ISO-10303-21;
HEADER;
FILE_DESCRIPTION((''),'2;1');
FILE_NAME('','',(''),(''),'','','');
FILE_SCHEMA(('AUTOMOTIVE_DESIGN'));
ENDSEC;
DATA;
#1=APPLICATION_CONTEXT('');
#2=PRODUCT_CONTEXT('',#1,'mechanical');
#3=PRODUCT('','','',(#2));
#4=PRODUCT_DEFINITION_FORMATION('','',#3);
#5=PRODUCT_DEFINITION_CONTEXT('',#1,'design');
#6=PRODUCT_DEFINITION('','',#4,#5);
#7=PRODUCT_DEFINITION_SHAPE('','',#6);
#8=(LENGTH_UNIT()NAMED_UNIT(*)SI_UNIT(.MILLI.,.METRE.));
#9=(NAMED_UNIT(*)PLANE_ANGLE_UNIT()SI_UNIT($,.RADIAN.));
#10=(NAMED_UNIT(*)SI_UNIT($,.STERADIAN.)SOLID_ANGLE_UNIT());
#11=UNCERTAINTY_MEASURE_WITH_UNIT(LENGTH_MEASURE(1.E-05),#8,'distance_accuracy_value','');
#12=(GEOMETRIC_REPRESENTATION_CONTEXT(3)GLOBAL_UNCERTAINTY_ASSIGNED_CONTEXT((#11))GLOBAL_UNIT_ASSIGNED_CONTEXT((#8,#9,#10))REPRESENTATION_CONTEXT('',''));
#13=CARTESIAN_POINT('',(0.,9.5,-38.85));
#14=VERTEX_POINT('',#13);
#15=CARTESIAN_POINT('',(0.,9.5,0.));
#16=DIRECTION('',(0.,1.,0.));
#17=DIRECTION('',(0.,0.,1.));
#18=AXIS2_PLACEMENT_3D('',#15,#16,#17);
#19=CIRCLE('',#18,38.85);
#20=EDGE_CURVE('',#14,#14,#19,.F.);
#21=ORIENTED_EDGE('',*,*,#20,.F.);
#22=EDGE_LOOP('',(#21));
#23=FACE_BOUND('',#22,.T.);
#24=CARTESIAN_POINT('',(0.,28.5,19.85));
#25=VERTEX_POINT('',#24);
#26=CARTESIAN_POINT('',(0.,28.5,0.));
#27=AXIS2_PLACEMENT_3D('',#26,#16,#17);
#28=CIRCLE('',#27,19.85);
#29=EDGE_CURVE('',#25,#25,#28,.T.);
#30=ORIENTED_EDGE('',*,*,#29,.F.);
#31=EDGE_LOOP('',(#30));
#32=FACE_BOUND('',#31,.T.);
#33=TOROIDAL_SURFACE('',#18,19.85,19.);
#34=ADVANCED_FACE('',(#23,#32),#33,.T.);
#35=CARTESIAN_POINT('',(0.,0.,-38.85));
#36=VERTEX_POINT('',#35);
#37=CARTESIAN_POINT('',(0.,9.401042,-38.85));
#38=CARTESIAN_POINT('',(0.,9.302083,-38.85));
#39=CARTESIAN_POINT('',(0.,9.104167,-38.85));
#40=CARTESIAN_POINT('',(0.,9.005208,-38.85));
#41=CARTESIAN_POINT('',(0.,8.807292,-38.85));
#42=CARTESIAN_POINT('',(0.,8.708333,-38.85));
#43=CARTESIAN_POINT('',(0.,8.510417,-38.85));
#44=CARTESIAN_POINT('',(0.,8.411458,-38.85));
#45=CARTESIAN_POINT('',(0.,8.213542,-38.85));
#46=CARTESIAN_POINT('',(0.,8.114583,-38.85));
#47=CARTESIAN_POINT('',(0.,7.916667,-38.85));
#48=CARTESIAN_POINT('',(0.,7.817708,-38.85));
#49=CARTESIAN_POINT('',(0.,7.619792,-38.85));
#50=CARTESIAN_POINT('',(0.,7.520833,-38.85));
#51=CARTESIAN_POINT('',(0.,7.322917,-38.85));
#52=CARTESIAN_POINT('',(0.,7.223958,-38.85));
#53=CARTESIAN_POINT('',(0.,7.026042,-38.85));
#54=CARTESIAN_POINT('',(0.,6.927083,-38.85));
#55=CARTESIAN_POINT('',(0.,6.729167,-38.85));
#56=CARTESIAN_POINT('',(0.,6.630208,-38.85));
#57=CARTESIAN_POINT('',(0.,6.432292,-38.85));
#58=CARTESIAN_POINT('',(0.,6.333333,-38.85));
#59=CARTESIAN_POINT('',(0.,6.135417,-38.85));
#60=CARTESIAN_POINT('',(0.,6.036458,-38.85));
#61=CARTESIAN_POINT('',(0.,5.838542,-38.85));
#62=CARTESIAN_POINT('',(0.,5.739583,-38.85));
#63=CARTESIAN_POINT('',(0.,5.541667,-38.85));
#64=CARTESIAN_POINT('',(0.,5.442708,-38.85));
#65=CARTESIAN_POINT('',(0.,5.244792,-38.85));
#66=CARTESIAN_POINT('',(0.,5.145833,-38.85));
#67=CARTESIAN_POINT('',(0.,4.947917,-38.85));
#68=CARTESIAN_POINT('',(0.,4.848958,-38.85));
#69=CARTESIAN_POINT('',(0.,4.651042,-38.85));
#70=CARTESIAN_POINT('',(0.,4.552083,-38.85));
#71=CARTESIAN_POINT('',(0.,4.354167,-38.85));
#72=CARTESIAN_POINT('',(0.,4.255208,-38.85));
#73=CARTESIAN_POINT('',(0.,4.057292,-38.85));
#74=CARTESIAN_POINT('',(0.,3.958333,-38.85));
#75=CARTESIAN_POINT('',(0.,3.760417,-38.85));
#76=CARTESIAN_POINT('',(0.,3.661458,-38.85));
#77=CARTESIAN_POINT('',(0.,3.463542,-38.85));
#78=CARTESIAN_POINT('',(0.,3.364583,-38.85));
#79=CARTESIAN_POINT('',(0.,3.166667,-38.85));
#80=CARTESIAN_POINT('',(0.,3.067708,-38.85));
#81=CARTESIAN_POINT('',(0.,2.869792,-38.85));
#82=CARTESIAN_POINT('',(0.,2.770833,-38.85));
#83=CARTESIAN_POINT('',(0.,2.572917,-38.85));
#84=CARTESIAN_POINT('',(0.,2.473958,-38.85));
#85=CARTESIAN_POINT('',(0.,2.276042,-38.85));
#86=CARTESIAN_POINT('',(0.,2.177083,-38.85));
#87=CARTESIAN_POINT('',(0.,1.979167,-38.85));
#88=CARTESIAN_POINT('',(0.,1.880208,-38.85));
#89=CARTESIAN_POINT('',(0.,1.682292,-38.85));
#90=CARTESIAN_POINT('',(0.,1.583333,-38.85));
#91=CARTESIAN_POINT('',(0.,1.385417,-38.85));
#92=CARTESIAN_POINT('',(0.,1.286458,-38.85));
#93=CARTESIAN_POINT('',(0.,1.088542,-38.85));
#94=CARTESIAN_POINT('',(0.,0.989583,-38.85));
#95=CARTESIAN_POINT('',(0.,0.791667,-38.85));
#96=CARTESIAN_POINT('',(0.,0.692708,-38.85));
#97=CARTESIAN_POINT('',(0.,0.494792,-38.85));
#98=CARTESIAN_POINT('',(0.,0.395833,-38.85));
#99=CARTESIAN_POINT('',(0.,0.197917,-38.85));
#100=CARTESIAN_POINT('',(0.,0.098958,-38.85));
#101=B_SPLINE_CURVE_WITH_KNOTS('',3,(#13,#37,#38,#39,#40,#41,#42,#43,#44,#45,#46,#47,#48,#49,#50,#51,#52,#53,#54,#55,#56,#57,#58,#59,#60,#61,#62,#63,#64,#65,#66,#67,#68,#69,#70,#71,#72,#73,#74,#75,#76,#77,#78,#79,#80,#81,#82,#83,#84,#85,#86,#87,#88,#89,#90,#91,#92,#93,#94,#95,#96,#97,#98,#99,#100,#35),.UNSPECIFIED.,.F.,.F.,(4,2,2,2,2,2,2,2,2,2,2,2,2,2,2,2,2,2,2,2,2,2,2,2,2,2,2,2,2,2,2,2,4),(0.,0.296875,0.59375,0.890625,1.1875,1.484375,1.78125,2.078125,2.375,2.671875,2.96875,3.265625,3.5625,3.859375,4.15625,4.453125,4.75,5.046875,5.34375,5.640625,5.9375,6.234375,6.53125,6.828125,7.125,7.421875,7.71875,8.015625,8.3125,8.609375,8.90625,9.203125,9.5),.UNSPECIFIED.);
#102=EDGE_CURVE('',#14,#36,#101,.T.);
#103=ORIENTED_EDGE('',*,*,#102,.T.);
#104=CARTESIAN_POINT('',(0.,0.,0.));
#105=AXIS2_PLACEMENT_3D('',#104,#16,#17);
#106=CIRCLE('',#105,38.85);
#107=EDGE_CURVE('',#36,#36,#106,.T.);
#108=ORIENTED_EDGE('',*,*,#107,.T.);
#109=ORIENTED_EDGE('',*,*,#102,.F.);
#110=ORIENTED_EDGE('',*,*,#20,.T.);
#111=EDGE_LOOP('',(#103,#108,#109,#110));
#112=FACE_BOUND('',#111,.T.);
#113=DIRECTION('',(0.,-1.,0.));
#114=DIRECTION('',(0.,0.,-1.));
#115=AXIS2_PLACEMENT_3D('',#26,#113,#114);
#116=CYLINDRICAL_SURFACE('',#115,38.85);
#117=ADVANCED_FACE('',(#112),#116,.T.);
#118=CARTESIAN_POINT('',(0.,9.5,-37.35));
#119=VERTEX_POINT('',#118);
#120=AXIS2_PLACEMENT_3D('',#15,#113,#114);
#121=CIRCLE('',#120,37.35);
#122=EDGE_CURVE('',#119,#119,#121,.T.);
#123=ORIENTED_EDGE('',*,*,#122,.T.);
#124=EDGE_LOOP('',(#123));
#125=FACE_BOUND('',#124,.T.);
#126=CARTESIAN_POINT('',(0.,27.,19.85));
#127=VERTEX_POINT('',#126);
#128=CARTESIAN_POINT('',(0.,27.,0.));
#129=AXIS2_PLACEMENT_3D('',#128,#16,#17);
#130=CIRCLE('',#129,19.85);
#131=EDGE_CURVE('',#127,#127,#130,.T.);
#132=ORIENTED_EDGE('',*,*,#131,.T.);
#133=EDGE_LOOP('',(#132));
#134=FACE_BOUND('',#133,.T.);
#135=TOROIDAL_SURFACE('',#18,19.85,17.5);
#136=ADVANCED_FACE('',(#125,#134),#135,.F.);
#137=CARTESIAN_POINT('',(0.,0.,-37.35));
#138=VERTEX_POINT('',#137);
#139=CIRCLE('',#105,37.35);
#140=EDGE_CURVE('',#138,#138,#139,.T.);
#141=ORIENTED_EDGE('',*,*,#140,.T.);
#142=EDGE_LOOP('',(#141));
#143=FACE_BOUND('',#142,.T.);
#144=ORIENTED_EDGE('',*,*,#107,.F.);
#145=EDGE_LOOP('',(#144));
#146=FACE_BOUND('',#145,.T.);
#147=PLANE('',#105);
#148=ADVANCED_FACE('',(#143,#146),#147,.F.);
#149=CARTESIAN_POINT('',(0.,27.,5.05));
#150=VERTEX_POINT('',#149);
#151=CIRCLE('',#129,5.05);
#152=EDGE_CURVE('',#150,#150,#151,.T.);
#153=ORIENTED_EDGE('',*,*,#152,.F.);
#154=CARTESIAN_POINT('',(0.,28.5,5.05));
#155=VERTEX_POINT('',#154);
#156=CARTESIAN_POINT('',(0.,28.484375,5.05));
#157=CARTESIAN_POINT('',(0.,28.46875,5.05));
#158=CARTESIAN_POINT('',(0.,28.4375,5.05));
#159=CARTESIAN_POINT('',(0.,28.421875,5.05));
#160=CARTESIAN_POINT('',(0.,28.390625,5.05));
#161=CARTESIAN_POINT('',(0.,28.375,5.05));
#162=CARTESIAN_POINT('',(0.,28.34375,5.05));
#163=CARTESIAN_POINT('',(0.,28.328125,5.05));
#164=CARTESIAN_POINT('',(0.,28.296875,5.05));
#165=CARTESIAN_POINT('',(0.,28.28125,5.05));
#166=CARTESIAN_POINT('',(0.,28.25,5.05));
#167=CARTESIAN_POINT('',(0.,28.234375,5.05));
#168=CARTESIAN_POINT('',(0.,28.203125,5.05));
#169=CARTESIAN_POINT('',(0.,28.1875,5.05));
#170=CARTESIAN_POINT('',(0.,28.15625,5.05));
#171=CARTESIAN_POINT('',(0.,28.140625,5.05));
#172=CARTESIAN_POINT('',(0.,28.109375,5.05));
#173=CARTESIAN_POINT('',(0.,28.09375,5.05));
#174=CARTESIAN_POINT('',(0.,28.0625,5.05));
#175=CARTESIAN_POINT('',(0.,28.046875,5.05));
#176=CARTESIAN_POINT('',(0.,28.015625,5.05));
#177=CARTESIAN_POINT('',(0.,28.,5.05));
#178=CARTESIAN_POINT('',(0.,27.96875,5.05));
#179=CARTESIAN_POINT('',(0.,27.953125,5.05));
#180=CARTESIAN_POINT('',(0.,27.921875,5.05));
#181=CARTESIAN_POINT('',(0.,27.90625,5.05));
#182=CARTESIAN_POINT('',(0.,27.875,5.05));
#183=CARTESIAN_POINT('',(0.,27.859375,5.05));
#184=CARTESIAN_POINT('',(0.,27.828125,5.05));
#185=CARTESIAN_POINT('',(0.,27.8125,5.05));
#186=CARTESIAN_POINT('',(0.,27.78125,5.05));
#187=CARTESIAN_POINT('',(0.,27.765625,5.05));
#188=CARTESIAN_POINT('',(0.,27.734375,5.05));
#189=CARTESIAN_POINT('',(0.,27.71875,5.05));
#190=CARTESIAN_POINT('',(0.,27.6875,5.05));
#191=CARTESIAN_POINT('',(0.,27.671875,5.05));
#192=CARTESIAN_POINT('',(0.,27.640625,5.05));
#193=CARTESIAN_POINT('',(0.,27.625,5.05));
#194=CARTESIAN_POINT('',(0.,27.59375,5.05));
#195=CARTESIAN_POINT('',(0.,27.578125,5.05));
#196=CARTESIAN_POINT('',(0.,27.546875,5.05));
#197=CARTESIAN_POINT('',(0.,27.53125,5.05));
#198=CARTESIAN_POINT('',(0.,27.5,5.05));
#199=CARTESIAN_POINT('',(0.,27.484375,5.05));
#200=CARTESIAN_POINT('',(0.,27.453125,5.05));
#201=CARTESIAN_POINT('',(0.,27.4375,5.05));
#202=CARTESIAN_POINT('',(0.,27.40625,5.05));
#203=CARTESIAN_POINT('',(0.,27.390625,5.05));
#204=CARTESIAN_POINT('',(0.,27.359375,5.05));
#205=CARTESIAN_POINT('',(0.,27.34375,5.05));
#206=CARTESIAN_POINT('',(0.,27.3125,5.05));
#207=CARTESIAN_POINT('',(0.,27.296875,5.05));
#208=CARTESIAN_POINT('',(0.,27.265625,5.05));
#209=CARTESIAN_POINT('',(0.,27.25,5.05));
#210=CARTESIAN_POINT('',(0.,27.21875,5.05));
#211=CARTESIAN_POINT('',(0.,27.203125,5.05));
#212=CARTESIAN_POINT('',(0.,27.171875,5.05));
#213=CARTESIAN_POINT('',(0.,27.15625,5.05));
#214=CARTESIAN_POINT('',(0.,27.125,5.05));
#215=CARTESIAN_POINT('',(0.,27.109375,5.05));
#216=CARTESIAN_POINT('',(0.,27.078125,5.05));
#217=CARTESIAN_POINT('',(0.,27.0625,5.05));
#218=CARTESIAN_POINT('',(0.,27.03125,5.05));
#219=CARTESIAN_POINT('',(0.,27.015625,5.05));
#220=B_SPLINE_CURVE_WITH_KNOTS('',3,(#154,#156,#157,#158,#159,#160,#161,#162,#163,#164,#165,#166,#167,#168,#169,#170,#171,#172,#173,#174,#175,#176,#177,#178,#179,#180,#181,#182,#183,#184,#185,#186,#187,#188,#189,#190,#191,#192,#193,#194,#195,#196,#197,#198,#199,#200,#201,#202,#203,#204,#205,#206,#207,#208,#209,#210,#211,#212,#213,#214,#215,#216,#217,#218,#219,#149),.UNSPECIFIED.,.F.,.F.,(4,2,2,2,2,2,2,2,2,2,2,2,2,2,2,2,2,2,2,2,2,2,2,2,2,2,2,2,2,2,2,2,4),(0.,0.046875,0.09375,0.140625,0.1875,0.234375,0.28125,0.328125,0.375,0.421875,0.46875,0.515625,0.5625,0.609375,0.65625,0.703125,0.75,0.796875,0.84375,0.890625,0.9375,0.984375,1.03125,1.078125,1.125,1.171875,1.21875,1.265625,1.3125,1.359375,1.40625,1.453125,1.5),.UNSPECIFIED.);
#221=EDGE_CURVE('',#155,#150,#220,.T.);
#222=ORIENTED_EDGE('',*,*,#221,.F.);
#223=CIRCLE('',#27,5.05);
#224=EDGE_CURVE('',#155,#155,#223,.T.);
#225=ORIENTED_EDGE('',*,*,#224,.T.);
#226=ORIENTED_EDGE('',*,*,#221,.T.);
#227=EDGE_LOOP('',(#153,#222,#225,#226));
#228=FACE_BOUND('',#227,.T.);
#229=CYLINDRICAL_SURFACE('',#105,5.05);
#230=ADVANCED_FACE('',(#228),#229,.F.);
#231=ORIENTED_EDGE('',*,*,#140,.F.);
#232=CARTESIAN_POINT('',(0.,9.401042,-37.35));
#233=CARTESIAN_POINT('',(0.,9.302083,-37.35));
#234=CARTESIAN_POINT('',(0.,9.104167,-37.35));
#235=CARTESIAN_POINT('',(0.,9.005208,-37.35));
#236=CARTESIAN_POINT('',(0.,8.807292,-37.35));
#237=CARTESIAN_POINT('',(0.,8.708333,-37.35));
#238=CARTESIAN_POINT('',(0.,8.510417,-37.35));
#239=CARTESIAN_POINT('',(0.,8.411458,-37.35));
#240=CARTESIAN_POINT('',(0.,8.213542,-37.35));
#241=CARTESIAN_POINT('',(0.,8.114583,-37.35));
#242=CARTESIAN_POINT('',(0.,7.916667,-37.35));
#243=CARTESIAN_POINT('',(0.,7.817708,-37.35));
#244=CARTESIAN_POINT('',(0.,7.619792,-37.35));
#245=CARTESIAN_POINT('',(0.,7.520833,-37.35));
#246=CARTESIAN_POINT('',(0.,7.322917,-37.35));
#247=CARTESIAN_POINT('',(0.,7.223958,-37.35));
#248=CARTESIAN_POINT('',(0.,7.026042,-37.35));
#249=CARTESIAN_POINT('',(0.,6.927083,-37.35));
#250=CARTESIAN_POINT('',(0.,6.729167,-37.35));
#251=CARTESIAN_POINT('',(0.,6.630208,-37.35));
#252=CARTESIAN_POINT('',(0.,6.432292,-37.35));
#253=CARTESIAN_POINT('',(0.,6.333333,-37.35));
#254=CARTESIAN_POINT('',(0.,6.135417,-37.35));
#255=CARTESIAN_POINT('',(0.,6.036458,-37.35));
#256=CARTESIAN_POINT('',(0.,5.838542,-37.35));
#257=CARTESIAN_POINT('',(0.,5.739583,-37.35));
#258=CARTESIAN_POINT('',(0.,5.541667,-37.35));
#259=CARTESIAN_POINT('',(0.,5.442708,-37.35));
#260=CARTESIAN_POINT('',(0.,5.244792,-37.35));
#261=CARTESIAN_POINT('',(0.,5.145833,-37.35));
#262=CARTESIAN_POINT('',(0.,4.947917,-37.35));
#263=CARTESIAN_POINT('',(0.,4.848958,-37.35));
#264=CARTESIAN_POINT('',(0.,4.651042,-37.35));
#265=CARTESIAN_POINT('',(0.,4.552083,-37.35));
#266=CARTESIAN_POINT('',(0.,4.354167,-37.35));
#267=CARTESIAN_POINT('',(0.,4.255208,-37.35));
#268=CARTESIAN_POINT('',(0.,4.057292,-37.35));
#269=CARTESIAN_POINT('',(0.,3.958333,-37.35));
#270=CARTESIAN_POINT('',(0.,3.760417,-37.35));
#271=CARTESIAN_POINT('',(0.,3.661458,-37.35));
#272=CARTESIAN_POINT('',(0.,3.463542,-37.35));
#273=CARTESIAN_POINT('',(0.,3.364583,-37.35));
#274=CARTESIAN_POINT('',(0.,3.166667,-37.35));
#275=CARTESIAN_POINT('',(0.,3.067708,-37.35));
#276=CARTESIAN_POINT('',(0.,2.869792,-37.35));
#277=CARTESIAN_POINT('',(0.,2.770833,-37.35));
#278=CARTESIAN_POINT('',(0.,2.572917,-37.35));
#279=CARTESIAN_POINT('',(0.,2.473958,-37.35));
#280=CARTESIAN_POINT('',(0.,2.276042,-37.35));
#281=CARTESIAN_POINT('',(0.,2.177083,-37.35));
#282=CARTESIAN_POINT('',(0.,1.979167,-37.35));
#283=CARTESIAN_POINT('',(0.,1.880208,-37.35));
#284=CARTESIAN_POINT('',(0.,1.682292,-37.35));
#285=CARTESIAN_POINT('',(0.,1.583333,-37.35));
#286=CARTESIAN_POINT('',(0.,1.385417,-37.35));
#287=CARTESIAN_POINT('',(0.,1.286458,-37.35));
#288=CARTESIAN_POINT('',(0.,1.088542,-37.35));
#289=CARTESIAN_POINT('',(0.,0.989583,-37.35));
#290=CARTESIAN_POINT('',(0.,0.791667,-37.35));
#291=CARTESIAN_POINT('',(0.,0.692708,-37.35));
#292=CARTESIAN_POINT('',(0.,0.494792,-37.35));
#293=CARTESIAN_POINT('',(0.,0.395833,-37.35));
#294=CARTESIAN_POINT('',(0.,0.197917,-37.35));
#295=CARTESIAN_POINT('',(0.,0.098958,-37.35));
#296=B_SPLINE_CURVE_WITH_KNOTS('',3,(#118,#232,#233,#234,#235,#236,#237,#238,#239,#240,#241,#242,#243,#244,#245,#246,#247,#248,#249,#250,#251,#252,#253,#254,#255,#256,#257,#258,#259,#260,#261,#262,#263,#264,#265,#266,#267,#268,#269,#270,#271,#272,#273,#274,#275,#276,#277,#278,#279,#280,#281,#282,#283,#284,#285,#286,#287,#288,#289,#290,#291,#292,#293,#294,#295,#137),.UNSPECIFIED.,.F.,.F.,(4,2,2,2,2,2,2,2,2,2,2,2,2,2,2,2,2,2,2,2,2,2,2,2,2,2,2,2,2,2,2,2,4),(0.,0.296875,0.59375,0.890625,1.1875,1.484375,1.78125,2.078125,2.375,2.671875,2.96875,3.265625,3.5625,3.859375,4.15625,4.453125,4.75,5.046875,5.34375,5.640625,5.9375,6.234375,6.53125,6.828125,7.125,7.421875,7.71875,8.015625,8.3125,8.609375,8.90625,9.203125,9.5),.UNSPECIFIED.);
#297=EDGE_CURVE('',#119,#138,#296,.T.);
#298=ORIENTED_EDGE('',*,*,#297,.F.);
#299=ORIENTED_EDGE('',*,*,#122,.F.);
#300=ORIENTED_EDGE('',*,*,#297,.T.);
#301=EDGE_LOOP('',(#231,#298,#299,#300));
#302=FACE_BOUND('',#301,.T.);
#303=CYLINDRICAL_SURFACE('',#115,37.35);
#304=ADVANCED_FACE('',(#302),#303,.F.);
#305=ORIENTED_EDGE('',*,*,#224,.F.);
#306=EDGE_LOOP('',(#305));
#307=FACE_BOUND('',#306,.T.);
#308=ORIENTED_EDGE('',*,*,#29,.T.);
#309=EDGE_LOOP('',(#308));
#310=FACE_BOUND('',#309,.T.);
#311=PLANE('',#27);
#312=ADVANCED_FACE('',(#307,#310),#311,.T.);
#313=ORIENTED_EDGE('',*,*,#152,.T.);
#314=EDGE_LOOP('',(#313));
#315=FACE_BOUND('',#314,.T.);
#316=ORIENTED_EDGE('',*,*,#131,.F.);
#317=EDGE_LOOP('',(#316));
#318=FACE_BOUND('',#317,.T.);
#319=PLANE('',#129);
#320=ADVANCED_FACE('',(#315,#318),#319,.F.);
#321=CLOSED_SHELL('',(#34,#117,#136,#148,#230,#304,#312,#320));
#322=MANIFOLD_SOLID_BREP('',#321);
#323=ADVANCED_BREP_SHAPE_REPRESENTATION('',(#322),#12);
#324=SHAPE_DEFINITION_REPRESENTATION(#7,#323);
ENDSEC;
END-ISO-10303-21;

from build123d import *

# Parameters (mm, degrees)
SKETCH1_R           = 38.85
BOSS_EXTRUDE1_DEPTH = 28.5
FILLET1_R           = 19
SHELL1_T            = -1.5
SKETCH3_R           = 5.05
CUT_EXTRUDE1_DEPTH  = 62.894224286


with BuildPart() as part:
    # Sketch1 → Boss-Extrude1 (new body)
    with BuildSketch(Plane(origin=(0, 0, 0), x_dir=(1, 0, 0), z_dir=(0, 1, 0))):
        with Locations(Location((0, 0, 0), (0, 0, 90))):
            Circle(SKETCH1_R)
    extrude(amount=BOSS_EXTRUDE1_DEPTH)

    # Fillet1
    fillet1_edges = [part.edges().sort_by_distance(p)[0] for p in [
        (0, 28.5, 38.85),
    ]]
    fillet(fillet1_edges, radius=FILLET1_R)

    # Shell1
    shell1_openings = [part.faces().sort_by_distance(p)[0] for p in [
        (0, 0, 0),
    ]]
    offset(amount=SHELL1_T, openings=shell1_openings, kind=Kind.INTERSECTION)

    # Sketch3 → Cut-Extrude1 (cut, through all)
    with BuildSketch(Plane(origin=(0, 28.5, 0), x_dir=(1, 0, 0), z_dir=(0, 1, 0))):
        with Locations(Location((0, 0, 0), (0, 0, 270))):
            Circle(SKETCH3_R)
    extrude(amount=-CUT_EXTRUDE1_DEPTH, mode=Mode.SUBTRACT)


solid = part.part
